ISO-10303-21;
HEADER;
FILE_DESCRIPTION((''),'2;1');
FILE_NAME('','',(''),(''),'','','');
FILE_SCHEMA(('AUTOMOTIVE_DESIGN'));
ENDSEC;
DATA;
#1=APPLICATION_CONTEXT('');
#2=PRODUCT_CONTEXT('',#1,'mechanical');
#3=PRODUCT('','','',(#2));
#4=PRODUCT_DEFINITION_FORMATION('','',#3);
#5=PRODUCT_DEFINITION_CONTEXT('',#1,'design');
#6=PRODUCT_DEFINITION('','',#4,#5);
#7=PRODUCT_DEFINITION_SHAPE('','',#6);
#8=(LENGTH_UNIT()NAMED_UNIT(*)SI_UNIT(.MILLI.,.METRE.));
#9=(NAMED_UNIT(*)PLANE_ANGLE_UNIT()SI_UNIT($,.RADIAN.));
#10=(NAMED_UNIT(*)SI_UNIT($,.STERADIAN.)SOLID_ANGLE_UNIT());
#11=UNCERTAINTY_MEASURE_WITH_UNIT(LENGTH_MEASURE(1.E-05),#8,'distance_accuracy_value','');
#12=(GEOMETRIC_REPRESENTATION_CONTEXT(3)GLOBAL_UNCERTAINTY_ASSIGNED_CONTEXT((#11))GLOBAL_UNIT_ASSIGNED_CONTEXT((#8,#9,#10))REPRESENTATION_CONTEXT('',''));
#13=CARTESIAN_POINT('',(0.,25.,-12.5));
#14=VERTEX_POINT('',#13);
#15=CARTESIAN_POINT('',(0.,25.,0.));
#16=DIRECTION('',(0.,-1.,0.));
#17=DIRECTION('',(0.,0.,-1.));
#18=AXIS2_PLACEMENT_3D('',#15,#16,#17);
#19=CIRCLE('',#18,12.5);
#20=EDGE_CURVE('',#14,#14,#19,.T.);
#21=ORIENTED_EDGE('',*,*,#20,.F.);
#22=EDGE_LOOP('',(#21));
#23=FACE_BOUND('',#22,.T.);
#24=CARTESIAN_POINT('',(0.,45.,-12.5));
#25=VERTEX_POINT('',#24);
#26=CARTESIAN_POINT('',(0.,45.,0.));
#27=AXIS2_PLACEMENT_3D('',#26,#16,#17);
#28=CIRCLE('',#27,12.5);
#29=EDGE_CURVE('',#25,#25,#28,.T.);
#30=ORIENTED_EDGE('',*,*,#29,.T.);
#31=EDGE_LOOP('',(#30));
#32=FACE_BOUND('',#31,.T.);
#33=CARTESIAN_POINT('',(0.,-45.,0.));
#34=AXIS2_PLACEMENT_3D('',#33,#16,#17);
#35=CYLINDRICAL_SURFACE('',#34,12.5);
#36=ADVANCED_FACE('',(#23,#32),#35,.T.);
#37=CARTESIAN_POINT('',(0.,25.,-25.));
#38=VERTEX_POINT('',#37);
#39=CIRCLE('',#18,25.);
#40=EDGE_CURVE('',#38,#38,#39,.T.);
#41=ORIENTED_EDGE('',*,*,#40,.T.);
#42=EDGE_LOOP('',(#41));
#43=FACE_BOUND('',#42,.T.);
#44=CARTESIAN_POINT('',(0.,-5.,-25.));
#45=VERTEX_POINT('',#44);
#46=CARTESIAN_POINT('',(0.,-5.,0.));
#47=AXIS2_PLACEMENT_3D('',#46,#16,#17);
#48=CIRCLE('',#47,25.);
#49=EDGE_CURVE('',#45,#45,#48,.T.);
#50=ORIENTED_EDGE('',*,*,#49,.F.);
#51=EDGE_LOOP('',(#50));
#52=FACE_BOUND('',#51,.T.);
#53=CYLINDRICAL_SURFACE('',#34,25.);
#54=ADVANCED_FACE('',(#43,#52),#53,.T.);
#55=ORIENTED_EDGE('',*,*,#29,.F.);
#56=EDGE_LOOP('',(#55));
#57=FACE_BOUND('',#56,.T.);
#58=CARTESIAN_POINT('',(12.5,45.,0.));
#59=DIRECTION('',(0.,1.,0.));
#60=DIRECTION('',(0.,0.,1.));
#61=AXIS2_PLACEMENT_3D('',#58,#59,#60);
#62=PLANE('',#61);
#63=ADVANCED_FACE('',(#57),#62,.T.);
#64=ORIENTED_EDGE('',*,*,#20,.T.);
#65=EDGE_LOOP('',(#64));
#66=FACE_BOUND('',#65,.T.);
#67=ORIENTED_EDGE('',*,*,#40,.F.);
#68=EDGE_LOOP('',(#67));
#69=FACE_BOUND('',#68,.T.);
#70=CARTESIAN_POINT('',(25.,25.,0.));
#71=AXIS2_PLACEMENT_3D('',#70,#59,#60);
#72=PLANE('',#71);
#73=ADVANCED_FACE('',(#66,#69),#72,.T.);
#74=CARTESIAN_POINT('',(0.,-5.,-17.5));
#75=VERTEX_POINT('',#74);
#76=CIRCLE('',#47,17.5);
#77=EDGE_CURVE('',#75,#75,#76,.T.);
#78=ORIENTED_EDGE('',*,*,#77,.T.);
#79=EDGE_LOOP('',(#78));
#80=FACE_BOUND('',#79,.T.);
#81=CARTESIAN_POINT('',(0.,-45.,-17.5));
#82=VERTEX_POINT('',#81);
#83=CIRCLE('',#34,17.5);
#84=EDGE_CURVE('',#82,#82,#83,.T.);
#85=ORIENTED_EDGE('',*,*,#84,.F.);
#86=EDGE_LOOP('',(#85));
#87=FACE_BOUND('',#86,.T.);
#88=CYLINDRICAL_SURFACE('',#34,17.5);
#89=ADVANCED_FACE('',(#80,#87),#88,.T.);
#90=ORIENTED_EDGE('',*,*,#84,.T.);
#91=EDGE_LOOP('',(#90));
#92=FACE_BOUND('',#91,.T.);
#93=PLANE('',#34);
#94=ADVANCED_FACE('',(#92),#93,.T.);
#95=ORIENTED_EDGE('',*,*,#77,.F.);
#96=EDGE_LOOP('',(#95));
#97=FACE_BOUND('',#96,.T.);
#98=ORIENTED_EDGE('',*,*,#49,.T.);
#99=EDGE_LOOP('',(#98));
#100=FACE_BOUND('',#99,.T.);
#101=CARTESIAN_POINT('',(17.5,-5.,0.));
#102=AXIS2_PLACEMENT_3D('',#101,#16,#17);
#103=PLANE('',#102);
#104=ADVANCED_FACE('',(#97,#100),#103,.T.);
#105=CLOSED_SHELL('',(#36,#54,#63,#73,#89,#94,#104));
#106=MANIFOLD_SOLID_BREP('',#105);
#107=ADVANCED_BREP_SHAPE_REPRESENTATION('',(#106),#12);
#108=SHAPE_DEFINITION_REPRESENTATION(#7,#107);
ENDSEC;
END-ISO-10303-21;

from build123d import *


with BuildPart() as part:
    # 草图1 → 旋转1 (revolve)
    with BuildSketch(Plane.XY, mode=Mode.PRIVATE) as revolve_1_sk:
        Polygon((0, -45), (17.5, -45), (17.5, -5), (25, -5), (25, 25), (12.5, 25), (12.5, 45), (0, 45), align=None)
    revolve(revolve_1_sk.sketch.rotate(Axis((0, -45, 0), (0, 1, 0)), 90), axis=Axis((0, -45, 0), (0, 1, 0)))


solid = part.part
